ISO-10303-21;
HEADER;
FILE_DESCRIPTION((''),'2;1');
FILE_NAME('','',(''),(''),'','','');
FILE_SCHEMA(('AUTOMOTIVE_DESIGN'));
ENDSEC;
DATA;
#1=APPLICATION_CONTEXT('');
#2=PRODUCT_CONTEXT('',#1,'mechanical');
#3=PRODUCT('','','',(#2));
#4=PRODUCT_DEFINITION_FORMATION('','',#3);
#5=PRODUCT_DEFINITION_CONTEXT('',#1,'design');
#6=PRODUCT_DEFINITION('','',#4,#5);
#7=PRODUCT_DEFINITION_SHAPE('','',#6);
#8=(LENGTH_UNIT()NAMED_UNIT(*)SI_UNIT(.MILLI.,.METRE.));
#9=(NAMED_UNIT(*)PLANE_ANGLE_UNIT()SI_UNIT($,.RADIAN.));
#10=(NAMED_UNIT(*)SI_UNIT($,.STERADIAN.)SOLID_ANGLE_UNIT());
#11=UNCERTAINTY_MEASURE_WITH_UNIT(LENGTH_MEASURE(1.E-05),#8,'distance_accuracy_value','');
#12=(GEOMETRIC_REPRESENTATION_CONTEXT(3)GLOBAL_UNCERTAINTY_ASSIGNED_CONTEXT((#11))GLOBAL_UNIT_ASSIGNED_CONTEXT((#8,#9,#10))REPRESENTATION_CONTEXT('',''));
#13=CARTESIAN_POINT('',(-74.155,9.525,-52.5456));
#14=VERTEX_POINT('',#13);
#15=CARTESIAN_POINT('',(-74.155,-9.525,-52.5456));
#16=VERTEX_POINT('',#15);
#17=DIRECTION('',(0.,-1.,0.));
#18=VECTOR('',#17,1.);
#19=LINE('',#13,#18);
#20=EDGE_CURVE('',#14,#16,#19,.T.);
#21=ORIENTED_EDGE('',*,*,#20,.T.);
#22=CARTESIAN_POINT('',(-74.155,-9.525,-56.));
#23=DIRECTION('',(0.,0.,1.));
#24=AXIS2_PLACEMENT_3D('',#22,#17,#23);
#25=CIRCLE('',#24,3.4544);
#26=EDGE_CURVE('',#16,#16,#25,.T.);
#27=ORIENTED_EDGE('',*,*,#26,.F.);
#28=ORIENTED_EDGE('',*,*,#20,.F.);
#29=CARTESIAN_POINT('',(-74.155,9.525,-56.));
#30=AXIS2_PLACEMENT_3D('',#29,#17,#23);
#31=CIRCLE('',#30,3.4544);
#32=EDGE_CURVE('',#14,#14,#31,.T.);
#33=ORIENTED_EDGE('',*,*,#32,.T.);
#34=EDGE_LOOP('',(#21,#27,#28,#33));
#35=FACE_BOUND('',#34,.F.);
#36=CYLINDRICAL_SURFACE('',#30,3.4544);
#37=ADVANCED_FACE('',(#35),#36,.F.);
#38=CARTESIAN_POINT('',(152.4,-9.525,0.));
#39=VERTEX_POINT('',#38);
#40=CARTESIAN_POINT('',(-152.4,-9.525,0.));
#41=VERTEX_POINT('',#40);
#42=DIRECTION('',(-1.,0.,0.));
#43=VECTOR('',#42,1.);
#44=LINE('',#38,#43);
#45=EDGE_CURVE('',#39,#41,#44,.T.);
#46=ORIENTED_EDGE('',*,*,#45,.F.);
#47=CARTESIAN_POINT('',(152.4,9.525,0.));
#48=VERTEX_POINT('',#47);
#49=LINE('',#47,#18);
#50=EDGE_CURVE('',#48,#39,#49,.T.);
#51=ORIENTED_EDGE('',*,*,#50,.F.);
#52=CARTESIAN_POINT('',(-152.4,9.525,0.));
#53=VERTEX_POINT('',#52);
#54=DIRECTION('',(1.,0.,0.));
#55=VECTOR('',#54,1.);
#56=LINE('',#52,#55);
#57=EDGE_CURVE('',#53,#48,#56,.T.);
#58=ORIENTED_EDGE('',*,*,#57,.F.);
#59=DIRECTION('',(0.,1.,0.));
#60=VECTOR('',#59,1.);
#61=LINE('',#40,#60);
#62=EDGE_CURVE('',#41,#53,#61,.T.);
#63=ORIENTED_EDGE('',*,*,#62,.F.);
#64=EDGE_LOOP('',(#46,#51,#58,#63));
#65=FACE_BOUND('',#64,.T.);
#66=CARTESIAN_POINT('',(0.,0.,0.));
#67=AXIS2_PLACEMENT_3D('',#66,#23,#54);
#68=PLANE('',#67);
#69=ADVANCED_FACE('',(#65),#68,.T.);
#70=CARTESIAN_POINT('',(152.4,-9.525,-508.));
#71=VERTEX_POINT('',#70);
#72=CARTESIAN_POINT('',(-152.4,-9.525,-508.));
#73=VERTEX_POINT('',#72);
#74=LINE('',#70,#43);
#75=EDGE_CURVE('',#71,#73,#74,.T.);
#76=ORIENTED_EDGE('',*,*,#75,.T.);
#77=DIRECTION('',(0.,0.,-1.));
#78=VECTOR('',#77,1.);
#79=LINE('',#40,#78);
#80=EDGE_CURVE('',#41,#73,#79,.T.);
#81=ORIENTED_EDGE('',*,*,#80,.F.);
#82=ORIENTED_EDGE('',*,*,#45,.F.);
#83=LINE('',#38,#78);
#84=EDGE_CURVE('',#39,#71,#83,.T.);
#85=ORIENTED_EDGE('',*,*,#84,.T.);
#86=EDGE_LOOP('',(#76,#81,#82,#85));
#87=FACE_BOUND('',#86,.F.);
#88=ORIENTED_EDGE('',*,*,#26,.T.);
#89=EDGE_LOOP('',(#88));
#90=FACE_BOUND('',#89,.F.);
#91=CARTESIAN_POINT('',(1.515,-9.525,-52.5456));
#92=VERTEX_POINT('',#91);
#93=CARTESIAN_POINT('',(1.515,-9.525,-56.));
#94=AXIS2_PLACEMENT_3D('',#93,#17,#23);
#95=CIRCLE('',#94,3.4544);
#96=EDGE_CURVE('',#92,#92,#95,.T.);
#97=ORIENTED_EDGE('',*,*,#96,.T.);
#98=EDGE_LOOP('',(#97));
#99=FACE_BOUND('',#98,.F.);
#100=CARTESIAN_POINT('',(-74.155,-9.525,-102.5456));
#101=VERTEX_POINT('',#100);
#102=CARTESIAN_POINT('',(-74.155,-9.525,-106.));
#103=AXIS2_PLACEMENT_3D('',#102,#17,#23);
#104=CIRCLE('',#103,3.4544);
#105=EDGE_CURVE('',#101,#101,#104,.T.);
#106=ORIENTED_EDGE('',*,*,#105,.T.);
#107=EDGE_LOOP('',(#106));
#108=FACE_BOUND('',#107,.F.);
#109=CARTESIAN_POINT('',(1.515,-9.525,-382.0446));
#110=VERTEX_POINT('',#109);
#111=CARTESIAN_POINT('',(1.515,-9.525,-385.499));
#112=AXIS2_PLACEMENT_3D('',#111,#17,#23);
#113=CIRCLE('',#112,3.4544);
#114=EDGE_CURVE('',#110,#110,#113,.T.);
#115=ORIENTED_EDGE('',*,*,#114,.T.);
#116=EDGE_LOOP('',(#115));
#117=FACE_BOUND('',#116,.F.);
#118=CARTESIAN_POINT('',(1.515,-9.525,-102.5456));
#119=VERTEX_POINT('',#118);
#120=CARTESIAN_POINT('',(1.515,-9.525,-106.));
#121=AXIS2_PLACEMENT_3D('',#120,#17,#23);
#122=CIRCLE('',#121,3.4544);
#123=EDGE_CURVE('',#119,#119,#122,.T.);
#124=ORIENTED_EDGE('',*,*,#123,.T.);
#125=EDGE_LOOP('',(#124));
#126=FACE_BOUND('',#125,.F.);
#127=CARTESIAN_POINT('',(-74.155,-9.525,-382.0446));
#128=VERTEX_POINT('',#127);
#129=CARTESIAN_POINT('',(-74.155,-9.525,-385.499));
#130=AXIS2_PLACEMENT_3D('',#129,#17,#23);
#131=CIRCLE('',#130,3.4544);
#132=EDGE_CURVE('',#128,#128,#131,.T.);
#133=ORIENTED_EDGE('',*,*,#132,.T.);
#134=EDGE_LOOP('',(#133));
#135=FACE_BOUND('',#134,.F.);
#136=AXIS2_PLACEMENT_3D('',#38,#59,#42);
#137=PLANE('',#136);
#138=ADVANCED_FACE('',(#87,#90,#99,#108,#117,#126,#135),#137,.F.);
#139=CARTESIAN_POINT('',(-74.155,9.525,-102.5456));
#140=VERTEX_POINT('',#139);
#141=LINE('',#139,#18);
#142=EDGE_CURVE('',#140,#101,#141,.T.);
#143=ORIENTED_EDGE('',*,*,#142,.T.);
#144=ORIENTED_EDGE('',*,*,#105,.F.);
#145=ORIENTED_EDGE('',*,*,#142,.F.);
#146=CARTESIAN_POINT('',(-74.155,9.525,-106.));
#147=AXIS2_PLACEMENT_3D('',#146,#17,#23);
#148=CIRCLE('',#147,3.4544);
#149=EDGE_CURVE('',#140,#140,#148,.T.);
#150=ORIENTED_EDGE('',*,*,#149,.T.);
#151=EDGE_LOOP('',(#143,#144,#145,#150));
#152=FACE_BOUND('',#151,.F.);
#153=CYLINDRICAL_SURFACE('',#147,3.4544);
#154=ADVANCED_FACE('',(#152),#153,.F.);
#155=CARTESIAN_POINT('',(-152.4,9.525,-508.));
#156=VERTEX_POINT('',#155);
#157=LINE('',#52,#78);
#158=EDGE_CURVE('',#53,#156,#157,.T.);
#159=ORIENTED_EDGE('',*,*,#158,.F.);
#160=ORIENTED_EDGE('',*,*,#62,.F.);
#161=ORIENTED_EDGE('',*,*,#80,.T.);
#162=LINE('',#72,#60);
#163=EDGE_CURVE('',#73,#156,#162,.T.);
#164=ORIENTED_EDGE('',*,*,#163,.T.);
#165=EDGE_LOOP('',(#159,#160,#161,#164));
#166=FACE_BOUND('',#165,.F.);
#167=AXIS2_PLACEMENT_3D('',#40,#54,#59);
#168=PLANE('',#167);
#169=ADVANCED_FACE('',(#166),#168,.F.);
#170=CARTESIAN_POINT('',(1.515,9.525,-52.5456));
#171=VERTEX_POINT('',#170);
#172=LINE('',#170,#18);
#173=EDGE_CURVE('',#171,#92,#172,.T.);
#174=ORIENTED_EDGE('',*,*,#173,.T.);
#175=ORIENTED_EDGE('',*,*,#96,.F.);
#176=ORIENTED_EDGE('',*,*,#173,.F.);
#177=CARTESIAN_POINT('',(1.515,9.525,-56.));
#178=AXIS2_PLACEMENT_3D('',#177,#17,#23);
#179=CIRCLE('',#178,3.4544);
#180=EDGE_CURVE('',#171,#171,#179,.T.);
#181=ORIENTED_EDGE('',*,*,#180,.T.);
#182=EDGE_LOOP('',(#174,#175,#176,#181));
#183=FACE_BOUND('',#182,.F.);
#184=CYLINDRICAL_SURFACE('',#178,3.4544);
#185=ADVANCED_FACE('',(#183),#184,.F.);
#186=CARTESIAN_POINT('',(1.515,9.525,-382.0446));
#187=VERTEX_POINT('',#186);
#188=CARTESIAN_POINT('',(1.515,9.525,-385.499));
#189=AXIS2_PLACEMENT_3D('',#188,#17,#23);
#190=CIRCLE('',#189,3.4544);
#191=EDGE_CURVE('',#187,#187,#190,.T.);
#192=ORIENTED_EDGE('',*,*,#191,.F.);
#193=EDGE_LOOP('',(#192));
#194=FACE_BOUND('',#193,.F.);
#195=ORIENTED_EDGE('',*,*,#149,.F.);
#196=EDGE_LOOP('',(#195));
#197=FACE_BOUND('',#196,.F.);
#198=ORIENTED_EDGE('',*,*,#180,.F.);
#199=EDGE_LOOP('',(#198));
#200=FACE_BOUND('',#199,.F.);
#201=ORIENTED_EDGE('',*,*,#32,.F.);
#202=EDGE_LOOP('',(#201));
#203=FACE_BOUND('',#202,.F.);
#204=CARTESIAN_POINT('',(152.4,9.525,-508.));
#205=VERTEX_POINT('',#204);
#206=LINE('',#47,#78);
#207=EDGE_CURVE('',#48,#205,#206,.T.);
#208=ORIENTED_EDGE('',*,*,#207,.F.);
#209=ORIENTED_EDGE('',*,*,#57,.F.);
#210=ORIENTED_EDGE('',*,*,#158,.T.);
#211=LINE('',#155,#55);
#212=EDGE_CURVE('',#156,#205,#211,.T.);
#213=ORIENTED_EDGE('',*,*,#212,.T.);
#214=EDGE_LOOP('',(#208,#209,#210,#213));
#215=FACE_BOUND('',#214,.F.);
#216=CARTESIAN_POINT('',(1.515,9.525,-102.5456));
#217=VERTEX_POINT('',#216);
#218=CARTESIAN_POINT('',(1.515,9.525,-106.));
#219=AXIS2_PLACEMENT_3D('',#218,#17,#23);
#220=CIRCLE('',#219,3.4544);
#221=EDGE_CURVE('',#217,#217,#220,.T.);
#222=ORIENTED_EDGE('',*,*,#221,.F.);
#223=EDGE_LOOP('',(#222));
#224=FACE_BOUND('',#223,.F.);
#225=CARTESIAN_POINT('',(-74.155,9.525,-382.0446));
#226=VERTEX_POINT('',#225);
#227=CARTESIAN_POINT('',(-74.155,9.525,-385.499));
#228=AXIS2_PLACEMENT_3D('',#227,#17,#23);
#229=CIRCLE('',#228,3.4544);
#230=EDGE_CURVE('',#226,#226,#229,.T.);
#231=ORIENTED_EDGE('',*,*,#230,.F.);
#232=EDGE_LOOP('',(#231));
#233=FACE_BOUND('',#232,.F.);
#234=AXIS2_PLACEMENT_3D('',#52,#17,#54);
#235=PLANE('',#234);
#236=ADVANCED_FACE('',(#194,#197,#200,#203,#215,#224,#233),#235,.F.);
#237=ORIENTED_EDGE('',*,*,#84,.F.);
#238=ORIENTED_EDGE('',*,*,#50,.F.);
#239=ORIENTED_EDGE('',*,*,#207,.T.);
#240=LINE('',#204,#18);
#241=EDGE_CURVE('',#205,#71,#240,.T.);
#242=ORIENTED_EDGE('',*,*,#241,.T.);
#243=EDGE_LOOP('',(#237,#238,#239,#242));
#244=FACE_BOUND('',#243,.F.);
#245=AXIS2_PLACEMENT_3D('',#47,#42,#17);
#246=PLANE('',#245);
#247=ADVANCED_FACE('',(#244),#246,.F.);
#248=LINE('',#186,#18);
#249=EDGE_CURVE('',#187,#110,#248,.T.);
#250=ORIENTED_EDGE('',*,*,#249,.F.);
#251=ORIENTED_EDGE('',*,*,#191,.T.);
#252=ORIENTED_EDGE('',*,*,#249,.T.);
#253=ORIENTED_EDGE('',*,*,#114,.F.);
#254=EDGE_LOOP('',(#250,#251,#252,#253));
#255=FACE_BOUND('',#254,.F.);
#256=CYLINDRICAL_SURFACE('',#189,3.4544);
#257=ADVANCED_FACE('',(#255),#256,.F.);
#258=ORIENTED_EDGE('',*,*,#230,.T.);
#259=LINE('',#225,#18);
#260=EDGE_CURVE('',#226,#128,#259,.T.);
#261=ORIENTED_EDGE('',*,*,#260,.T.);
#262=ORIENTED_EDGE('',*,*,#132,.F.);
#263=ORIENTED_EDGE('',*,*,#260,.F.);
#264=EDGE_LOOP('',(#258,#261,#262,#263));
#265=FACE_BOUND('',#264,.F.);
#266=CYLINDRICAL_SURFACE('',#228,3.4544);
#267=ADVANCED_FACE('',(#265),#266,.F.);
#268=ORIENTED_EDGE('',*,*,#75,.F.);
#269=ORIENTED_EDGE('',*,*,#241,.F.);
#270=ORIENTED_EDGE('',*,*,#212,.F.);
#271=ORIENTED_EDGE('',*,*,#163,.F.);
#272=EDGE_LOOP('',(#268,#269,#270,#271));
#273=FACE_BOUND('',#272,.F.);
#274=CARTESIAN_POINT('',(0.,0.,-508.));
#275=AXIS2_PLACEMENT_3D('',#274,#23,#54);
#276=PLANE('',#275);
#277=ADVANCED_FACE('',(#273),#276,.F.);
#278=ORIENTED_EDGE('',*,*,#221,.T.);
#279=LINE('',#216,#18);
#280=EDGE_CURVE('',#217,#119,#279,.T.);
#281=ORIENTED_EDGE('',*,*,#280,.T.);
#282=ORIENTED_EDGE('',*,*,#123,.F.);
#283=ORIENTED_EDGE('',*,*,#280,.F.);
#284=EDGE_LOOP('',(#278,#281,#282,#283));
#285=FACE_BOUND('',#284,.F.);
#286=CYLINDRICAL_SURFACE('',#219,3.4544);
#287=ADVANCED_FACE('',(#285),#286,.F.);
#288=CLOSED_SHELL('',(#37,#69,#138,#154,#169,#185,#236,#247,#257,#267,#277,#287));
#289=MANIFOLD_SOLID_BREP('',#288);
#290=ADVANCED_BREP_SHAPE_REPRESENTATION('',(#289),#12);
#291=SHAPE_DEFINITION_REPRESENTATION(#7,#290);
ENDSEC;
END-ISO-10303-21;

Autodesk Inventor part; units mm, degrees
ref_plane "YZ Plane" through (0, 0, 0) normal (1, 0, 0) x (0, 1, 0)
ref_plane "XZ Plane" through (0, 0, 0) normal (0, 1, 0) x (-1, 0, 0)
ref_plane "XY Plane" through (0, 0, 0) normal (0, 0, 1) x (1, 0, 0)
sketch "Sketch1" plane through (0, 0, 0) normal (0, 0, 1) x (1, 0, 0)
  line L0 (-152.4, 9.525) -> (152.4, 9.525)
  line L1 (152.4, 9.525) -> (152.4, -9.525)
  line L2 (152.4, -9.525) -> (-152.4, -9.525)
  line L3 (-152.4, -9.525) -> (-152.4, 9.525)
  line L4 (-152.4, 9.525) -> (152.4, -9.525) construction
  line L5 (152.4, 9.525) -> (-152.4, -9.525) construction
  point P0 (0, 0)
  dimension "d0" = 304.8
  dimension "d1" = 19.05
extrude "Extrusion1" add sketch "Sketch1" against normal blind 508
sketch "Sketch2" plane through (-152.4, 9.525, 0) normal (0, 1, 0) x (1, 0, 0)
  line L0 (0, 0) -> (0, 508) projected
  line L1 (0, 0) -> (304.8, 0) projected
  point P0 (152.4, 0)
  point P1 (78.245, 56)
  dimension "d4" = 78.245
  dimension "d5" = 56
hole "Hole1" at (-74.155, 9.525, -56) direction (0, -1, 0) diameter 6.9088 end through all
pattern_linear "Rectangular Pattern1" count 2 spacing 50 along (0, 0, -1) count 2 spacing 75.67 along (1, 0, 0) of "Hole1"
pattern_linear "Rectangular Pattern2" count 2 spacing 329.499 along (0, 0, -1) count 2 spacing 75.67 along (1, 0, 0) of "Hole1"
equation "\"d0\" = mp_wid"
equation "\"d1\" = mp_thick"
equation "\"d2\" = mp_len"
equation "\"d4\" = mp_mbra_holes_w_offset"
equation "\"d5\" = mp_mbra_holes_l_offset"
equation "\"d15\" = mp_mbra_holes_l_spacing"
equation "\"d18\" = mp_mbra_holes_w_spacing"
equation "\"d21\" = mp_bk_holes_distance"
equation "\"d24\" = mp_mbra_holes_w_spacing"
equation "\"mp_wid\" = 304.8"
equation "\"mp_thick\" = 19.05"
equation "\"mp_len\" = 508"
equation "\"mp_mbra_holes_l_spacing\" = 50"
equation "\"mp_mbra_holes_w_spacing\" = 75.67"
equation "\"mp_bk_holes_distance\" = 329.49896"
equation "\"mp_mbra_holes_w_offset\" = 78.245"
equation "\"mp_mbra_holes_l_offset\" = 56"
properties part number "mplate03" material "Aluminum 6061"
